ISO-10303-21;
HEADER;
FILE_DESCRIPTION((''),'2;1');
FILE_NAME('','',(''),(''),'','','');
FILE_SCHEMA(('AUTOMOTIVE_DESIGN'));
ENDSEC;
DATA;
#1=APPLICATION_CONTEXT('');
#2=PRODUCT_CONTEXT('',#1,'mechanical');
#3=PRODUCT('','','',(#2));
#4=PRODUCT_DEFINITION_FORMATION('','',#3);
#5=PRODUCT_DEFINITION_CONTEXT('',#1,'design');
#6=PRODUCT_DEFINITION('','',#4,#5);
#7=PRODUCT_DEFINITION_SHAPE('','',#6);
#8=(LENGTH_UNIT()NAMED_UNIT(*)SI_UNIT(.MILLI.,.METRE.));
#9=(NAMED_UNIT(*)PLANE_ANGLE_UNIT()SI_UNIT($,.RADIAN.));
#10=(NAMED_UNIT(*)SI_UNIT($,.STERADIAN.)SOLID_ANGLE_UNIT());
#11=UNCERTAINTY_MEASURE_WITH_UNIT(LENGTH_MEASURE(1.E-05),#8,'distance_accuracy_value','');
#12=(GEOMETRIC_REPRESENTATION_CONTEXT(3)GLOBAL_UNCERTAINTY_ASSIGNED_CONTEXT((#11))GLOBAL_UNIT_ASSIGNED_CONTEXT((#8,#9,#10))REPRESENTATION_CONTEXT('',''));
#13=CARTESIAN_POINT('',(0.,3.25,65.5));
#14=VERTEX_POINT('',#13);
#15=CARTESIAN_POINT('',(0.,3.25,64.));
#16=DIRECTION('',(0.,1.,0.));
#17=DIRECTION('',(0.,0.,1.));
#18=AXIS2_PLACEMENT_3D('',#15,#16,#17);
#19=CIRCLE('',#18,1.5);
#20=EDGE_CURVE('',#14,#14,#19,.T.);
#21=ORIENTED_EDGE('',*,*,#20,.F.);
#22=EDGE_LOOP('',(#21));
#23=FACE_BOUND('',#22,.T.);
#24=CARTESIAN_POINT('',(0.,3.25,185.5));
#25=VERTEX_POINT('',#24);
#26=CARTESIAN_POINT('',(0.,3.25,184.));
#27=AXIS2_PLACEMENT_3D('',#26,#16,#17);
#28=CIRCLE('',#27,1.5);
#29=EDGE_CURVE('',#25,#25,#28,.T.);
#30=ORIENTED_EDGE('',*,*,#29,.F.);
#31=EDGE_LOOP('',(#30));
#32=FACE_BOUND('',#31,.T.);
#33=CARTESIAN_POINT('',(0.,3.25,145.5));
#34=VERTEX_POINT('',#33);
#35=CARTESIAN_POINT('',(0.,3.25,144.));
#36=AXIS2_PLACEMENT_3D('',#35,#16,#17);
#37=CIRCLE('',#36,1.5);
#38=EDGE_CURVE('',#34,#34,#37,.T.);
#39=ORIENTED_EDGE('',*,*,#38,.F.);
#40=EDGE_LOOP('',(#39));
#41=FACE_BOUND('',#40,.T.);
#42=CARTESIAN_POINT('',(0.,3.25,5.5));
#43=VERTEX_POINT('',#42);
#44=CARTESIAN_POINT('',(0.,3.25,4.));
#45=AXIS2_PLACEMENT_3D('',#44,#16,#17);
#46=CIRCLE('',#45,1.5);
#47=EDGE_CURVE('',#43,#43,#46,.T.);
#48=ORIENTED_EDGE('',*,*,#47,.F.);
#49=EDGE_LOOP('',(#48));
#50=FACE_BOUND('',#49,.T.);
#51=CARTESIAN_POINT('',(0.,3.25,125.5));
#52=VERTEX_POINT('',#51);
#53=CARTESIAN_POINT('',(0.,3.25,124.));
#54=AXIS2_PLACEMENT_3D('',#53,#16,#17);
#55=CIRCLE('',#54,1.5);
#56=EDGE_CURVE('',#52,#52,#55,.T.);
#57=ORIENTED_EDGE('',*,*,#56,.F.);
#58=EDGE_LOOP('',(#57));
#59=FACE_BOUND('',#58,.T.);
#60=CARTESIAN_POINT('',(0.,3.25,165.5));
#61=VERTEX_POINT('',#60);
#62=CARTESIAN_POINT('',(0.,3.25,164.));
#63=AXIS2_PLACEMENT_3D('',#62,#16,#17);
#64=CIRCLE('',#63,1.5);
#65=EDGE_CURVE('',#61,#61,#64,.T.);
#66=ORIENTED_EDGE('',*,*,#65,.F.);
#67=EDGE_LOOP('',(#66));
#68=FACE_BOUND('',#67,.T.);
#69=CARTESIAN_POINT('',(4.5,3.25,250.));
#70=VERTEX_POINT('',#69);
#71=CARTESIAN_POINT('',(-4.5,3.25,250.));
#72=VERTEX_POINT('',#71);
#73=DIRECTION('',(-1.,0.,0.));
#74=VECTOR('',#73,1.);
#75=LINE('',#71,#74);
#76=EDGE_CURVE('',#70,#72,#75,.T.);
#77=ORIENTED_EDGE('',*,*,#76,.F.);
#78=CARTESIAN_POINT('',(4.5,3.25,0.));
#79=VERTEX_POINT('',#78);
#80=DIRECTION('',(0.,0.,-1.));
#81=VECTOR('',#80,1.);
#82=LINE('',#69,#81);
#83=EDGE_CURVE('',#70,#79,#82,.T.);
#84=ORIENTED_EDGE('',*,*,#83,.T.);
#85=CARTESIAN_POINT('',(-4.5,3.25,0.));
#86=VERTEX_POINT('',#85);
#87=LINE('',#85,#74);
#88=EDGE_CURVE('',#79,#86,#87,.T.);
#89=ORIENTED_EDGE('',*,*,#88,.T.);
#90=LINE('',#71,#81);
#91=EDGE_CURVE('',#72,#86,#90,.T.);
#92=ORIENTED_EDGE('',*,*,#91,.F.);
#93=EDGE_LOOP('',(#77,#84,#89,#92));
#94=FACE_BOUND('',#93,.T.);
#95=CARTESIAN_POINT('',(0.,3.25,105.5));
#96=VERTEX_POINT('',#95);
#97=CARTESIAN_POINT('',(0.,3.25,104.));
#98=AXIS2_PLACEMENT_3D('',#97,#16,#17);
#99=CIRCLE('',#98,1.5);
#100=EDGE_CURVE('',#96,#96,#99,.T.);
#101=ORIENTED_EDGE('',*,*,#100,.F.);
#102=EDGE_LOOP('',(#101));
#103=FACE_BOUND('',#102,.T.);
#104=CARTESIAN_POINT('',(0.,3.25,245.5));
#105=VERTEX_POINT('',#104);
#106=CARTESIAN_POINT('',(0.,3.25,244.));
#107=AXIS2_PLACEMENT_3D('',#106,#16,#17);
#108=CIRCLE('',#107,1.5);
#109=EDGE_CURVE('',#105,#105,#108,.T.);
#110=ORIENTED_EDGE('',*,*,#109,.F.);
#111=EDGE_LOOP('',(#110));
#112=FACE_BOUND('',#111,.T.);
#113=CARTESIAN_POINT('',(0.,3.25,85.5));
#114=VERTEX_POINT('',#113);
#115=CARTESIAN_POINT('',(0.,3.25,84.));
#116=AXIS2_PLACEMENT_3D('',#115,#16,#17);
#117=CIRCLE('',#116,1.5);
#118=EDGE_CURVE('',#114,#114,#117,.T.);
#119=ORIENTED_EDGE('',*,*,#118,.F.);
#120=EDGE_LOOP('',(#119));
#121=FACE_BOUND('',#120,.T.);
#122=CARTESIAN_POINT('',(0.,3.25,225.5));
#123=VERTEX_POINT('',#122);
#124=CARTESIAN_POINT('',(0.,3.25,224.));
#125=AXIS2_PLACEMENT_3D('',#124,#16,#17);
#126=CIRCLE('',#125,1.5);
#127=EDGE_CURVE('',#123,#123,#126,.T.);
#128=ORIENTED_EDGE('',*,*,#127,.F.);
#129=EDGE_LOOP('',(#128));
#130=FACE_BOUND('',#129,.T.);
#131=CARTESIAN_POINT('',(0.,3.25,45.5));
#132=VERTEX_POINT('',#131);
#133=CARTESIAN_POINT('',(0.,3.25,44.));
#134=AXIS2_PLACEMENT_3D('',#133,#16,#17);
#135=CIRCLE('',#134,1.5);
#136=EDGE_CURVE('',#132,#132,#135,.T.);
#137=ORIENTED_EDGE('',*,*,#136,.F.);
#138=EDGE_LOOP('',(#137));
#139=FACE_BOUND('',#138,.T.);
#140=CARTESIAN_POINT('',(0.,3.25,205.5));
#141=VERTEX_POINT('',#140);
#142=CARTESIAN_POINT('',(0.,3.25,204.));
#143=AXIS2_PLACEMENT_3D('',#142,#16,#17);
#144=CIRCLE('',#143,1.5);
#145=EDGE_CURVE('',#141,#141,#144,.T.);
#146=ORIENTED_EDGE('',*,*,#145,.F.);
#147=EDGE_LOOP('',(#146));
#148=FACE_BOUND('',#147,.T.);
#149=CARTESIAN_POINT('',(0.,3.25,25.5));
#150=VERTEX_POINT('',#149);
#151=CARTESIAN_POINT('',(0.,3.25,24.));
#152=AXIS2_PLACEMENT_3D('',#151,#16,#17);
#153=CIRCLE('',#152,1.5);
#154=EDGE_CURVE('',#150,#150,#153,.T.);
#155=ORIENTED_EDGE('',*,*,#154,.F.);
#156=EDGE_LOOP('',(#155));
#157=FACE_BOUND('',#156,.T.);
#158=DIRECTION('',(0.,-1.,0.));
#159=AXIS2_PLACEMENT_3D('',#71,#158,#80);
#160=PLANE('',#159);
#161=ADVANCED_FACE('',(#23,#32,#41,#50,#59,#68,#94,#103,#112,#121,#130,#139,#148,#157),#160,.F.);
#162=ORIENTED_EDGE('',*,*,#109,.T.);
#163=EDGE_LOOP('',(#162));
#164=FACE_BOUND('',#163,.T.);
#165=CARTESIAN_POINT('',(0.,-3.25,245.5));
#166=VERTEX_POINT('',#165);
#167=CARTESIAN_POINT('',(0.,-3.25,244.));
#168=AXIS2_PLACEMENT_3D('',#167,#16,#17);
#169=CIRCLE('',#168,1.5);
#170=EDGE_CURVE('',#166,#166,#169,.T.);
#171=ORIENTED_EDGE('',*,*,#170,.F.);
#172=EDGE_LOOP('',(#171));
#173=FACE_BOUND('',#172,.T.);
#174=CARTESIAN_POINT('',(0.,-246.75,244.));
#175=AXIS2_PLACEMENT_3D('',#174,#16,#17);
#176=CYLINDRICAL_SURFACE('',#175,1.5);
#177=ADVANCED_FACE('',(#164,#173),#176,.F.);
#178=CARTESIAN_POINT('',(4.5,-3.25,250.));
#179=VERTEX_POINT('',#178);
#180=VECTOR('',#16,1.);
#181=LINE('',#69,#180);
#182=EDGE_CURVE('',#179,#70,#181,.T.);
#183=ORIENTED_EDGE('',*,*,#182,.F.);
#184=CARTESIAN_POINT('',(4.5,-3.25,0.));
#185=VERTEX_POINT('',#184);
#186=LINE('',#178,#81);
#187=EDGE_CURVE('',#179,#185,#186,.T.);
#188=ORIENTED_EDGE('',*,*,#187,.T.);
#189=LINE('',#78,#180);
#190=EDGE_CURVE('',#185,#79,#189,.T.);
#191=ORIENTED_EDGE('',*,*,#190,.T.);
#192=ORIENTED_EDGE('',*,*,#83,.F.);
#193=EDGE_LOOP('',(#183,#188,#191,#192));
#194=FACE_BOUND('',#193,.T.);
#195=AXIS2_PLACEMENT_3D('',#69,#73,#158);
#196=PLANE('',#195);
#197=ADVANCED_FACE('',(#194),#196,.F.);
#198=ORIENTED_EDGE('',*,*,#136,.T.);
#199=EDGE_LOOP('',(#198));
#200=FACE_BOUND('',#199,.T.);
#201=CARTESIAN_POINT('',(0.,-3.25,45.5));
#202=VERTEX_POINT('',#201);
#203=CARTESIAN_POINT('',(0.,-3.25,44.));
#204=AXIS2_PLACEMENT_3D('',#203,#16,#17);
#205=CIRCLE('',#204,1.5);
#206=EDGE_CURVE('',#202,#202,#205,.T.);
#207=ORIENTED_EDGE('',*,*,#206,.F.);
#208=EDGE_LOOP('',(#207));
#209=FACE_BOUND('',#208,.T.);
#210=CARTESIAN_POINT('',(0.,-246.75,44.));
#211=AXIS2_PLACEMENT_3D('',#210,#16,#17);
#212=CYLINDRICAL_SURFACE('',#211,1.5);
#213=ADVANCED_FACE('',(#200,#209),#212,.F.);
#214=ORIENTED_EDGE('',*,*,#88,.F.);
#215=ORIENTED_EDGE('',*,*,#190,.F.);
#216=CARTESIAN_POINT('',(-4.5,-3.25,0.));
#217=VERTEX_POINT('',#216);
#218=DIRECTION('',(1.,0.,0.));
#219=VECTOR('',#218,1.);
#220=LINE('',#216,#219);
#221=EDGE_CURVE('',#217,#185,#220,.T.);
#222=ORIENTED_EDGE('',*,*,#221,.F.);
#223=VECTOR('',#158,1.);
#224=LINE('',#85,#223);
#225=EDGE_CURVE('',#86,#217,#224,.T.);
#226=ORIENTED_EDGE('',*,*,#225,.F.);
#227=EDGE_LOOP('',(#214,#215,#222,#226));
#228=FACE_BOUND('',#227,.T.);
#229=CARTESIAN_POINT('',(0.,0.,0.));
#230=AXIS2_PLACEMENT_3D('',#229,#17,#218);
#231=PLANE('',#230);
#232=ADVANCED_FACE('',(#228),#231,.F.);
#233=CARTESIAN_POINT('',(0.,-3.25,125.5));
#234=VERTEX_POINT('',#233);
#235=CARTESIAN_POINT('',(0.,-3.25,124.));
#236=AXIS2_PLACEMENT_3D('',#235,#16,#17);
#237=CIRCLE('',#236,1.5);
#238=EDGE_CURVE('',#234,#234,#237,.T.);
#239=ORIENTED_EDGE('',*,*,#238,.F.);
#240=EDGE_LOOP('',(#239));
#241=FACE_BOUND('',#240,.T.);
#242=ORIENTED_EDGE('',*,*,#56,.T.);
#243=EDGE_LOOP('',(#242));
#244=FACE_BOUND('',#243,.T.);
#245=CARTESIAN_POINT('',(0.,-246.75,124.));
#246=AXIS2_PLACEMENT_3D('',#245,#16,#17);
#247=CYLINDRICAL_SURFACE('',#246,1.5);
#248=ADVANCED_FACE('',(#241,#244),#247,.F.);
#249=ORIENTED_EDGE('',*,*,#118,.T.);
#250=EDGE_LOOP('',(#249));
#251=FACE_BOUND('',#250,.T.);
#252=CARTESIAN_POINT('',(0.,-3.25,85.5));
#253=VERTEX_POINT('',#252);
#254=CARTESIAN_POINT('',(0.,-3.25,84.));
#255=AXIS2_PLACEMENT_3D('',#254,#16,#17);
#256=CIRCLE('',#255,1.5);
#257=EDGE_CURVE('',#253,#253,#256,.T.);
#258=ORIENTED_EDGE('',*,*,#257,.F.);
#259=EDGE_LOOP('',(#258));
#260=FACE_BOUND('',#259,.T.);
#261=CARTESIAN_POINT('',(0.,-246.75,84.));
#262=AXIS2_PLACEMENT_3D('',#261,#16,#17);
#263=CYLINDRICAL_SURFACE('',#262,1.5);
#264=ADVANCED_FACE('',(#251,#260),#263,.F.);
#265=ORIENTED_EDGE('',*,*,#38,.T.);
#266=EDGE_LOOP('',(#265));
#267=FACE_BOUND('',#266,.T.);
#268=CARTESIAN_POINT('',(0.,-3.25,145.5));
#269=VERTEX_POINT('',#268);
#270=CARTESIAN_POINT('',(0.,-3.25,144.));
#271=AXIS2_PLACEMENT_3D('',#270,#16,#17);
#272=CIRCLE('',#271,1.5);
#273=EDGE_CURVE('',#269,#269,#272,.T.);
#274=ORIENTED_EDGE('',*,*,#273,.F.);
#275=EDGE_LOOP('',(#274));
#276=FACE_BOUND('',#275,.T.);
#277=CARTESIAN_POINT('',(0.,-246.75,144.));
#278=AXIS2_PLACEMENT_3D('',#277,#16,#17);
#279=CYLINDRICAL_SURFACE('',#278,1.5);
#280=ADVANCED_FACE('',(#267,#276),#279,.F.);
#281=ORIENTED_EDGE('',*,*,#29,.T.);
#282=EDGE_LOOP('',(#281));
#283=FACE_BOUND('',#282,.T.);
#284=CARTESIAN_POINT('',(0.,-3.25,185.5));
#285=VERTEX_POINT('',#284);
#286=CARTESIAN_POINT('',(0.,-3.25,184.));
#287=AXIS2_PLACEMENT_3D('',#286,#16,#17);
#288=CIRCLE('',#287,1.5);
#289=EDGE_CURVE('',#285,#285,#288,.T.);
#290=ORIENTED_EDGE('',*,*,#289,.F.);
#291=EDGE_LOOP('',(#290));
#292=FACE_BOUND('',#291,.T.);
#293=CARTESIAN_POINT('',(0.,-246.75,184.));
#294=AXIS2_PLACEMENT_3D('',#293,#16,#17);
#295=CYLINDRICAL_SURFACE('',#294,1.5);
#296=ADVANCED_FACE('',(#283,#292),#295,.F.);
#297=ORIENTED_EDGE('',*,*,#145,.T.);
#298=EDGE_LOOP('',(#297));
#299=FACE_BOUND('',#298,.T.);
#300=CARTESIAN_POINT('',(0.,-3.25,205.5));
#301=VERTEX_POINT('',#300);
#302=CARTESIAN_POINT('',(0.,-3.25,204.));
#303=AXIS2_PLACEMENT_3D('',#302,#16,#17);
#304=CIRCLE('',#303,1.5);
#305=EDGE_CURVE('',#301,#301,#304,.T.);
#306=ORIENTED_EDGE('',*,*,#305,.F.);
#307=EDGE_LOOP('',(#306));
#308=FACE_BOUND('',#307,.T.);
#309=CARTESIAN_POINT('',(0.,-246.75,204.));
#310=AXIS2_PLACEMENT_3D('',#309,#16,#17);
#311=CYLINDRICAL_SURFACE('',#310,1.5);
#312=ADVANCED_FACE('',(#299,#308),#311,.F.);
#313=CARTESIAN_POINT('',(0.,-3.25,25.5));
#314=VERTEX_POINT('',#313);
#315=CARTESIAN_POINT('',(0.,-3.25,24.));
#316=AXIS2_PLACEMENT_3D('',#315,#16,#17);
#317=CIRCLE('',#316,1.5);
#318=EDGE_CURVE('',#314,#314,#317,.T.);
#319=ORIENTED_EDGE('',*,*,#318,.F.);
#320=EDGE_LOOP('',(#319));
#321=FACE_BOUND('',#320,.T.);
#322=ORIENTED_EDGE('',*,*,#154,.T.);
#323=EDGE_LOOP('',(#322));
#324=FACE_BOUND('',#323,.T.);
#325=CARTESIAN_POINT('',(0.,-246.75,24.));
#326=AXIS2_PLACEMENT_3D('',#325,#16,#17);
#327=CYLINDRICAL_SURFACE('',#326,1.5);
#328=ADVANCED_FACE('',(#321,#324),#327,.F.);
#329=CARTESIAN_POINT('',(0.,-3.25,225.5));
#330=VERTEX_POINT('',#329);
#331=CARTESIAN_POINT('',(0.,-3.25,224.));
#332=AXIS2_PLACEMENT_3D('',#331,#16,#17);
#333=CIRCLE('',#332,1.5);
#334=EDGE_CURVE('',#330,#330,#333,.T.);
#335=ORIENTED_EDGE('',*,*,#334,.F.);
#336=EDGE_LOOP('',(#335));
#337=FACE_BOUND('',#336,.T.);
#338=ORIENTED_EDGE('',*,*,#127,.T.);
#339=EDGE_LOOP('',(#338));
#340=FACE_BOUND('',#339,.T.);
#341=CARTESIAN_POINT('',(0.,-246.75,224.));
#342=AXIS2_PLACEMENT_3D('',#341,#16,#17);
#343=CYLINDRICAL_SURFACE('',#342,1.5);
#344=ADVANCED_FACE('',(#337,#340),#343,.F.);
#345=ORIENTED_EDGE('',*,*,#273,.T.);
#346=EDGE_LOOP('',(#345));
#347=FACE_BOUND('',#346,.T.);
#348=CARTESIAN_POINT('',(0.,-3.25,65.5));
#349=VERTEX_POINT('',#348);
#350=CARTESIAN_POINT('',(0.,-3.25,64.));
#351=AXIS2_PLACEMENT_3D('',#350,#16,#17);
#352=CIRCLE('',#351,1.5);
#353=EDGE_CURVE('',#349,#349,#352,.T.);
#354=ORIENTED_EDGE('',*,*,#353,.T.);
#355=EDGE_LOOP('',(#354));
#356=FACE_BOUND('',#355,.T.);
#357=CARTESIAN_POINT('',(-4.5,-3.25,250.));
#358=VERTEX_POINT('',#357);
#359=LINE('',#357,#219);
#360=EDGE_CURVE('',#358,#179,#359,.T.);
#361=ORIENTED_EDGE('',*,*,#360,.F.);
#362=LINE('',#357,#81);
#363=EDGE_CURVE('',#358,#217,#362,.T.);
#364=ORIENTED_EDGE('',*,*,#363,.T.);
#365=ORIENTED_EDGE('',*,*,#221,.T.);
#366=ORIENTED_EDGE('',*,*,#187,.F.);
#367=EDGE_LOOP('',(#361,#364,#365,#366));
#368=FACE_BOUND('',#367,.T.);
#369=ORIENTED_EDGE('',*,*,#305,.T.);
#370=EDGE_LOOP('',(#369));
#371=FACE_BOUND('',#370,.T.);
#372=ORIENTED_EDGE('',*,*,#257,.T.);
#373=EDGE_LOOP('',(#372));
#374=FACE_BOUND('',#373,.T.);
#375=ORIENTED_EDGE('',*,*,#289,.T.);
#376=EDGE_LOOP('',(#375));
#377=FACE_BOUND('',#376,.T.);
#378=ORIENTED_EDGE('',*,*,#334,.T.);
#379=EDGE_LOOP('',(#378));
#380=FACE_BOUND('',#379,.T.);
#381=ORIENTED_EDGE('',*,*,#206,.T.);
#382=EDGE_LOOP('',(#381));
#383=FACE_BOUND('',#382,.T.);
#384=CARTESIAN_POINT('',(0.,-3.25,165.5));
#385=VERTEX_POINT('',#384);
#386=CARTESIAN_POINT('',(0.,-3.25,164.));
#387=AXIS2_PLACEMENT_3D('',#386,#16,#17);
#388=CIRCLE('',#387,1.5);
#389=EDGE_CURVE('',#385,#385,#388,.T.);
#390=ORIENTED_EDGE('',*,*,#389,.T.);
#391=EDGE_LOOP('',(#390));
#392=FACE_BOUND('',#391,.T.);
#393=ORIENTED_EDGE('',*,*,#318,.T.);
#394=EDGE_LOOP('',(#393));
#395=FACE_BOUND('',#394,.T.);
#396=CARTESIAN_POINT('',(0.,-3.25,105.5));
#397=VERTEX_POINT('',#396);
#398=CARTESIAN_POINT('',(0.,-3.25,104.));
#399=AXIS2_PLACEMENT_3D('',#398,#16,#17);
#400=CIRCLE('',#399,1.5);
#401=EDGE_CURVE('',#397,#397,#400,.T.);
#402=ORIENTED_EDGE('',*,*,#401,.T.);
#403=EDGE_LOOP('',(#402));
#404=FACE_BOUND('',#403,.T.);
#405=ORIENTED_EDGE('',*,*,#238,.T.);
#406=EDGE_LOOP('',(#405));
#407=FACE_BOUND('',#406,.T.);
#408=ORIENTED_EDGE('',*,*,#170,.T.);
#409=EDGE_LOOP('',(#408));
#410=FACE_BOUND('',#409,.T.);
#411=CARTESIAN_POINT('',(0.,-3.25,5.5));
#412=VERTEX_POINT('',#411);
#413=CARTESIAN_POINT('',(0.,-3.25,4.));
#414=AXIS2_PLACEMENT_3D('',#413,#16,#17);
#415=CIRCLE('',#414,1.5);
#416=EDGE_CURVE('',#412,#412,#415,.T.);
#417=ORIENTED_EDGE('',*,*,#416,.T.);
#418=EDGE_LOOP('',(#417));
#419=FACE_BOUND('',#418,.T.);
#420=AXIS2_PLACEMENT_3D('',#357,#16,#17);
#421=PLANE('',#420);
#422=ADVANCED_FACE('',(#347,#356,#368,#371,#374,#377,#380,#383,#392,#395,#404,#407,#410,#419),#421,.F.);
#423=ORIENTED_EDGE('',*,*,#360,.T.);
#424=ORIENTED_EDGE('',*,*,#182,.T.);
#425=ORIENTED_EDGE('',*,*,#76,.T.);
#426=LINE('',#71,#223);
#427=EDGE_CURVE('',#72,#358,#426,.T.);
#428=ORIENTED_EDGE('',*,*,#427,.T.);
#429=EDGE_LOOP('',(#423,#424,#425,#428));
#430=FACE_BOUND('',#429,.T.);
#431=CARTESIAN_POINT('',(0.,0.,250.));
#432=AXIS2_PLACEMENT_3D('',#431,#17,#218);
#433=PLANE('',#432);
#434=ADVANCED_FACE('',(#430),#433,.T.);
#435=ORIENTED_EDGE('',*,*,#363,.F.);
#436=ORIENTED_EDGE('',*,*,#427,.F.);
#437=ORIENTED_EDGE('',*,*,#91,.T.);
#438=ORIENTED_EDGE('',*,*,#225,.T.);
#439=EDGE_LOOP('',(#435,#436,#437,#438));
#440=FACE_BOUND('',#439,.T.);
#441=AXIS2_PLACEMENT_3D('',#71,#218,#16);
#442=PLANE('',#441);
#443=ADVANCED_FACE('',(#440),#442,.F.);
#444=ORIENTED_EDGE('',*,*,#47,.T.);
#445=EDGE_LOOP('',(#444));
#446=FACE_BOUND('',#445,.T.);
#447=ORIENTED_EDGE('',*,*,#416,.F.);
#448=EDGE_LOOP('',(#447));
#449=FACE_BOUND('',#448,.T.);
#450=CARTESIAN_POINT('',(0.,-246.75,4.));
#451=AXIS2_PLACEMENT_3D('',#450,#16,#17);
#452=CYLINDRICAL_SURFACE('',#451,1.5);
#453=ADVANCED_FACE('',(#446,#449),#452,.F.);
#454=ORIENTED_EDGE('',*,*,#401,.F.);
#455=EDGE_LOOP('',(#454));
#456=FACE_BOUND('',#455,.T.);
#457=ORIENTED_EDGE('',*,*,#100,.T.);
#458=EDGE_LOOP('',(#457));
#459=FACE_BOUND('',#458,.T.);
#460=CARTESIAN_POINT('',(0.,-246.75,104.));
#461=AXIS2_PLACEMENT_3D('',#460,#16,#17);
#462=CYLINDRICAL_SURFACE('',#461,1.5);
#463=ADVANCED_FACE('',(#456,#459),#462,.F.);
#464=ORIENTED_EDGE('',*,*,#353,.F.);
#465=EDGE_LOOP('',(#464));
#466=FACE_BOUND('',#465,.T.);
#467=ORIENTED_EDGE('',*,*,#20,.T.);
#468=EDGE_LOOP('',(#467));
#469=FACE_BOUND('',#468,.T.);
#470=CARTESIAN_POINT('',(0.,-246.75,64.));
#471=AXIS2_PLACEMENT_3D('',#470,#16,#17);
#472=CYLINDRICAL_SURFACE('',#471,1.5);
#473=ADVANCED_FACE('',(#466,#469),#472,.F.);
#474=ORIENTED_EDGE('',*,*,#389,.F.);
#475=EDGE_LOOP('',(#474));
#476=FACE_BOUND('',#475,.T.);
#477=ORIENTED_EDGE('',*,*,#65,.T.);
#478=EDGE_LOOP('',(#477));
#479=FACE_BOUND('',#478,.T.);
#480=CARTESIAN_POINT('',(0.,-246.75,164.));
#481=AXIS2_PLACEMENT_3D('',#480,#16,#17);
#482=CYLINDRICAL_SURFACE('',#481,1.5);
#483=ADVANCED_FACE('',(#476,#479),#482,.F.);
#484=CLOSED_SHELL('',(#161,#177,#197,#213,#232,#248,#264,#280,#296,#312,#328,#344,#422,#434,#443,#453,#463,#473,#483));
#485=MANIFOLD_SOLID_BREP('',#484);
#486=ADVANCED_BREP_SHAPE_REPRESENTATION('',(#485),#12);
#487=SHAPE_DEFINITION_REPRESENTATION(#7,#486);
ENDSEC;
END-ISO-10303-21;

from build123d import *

# Parameters (mm, degrees)
SKETCH_1_W          = 9
SKETCH_1_H          = 6.5
EXTRUDE_1_DEPTH     = 250
SKETCH_2_R          = 1.5
CUT_EXTRUDE_1_DEPTH = 250


with BuildPart() as part:
    # 草图1 → 凸台-拉伸1 (new body)
    with BuildSketch(Plane.XY):
        Rectangle(SKETCH_1_W, SKETCH_1_H)
    extrude(amount=EXTRUDE_1_DEPTH)

    # 草图2 → 切除-拉伸1 (cut)
    with BuildSketch(Plane(origin=(0, 3.25, 0), x_dir=(1, 0, 0), z_dir=(0, 1, 0))):
        with Locations(Location((0, -4, 0), (0, 0, 270))):
            Circle(SKETCH_2_R)
        with Locations(Location((0, -24, 0), (0, 0, 270))):
            Circle(SKETCH_2_R)
        with Locations(Location((0, -44, 0), (0, 0, 270))):
            Circle(SKETCH_2_R)
        with Locations(Location((0, -64, 0), (0, 0, 270))):
            Circle(SKETCH_2_R)
        with Locations(Location((0, -84, 0), (0, 0, 270))):
            Circle(SKETCH_2_R)
        with Locations(Location((0, -104, 0), (0, 0, 270))):
            Circle(SKETCH_2_R)
        with Locations(Location((0, -124, 0), (0, 0, 270))):
            Circle(SKETCH_2_R)
        with Locations(Location((0, -144, 0), (0, 0, 270))):
            Circle(SKETCH_2_R)
        with Locations(Location((0, -164, 0), (0, 0, 270))):
            Circle(SKETCH_2_R)
        with Locations(Location((0, -184, 0), (0, 0, 270))):
            Circle(SKETCH_2_R)
        with Locations(Location((0, -204, 0), (0, 0, 270))):
            Circle(SKETCH_2_R)
        with Locations(Location((0, -224, 0), (0, 0, 270))):
            Circle(SKETCH_2_R)
        with Locations(Location((0, -244, 0), (0, 0, 270))):
            Circle(SKETCH_2_R)
    extrude(amount=-CUT_EXTRUDE_1_DEPTH, mode=Mode.SUBTRACT)


solid = part.part
